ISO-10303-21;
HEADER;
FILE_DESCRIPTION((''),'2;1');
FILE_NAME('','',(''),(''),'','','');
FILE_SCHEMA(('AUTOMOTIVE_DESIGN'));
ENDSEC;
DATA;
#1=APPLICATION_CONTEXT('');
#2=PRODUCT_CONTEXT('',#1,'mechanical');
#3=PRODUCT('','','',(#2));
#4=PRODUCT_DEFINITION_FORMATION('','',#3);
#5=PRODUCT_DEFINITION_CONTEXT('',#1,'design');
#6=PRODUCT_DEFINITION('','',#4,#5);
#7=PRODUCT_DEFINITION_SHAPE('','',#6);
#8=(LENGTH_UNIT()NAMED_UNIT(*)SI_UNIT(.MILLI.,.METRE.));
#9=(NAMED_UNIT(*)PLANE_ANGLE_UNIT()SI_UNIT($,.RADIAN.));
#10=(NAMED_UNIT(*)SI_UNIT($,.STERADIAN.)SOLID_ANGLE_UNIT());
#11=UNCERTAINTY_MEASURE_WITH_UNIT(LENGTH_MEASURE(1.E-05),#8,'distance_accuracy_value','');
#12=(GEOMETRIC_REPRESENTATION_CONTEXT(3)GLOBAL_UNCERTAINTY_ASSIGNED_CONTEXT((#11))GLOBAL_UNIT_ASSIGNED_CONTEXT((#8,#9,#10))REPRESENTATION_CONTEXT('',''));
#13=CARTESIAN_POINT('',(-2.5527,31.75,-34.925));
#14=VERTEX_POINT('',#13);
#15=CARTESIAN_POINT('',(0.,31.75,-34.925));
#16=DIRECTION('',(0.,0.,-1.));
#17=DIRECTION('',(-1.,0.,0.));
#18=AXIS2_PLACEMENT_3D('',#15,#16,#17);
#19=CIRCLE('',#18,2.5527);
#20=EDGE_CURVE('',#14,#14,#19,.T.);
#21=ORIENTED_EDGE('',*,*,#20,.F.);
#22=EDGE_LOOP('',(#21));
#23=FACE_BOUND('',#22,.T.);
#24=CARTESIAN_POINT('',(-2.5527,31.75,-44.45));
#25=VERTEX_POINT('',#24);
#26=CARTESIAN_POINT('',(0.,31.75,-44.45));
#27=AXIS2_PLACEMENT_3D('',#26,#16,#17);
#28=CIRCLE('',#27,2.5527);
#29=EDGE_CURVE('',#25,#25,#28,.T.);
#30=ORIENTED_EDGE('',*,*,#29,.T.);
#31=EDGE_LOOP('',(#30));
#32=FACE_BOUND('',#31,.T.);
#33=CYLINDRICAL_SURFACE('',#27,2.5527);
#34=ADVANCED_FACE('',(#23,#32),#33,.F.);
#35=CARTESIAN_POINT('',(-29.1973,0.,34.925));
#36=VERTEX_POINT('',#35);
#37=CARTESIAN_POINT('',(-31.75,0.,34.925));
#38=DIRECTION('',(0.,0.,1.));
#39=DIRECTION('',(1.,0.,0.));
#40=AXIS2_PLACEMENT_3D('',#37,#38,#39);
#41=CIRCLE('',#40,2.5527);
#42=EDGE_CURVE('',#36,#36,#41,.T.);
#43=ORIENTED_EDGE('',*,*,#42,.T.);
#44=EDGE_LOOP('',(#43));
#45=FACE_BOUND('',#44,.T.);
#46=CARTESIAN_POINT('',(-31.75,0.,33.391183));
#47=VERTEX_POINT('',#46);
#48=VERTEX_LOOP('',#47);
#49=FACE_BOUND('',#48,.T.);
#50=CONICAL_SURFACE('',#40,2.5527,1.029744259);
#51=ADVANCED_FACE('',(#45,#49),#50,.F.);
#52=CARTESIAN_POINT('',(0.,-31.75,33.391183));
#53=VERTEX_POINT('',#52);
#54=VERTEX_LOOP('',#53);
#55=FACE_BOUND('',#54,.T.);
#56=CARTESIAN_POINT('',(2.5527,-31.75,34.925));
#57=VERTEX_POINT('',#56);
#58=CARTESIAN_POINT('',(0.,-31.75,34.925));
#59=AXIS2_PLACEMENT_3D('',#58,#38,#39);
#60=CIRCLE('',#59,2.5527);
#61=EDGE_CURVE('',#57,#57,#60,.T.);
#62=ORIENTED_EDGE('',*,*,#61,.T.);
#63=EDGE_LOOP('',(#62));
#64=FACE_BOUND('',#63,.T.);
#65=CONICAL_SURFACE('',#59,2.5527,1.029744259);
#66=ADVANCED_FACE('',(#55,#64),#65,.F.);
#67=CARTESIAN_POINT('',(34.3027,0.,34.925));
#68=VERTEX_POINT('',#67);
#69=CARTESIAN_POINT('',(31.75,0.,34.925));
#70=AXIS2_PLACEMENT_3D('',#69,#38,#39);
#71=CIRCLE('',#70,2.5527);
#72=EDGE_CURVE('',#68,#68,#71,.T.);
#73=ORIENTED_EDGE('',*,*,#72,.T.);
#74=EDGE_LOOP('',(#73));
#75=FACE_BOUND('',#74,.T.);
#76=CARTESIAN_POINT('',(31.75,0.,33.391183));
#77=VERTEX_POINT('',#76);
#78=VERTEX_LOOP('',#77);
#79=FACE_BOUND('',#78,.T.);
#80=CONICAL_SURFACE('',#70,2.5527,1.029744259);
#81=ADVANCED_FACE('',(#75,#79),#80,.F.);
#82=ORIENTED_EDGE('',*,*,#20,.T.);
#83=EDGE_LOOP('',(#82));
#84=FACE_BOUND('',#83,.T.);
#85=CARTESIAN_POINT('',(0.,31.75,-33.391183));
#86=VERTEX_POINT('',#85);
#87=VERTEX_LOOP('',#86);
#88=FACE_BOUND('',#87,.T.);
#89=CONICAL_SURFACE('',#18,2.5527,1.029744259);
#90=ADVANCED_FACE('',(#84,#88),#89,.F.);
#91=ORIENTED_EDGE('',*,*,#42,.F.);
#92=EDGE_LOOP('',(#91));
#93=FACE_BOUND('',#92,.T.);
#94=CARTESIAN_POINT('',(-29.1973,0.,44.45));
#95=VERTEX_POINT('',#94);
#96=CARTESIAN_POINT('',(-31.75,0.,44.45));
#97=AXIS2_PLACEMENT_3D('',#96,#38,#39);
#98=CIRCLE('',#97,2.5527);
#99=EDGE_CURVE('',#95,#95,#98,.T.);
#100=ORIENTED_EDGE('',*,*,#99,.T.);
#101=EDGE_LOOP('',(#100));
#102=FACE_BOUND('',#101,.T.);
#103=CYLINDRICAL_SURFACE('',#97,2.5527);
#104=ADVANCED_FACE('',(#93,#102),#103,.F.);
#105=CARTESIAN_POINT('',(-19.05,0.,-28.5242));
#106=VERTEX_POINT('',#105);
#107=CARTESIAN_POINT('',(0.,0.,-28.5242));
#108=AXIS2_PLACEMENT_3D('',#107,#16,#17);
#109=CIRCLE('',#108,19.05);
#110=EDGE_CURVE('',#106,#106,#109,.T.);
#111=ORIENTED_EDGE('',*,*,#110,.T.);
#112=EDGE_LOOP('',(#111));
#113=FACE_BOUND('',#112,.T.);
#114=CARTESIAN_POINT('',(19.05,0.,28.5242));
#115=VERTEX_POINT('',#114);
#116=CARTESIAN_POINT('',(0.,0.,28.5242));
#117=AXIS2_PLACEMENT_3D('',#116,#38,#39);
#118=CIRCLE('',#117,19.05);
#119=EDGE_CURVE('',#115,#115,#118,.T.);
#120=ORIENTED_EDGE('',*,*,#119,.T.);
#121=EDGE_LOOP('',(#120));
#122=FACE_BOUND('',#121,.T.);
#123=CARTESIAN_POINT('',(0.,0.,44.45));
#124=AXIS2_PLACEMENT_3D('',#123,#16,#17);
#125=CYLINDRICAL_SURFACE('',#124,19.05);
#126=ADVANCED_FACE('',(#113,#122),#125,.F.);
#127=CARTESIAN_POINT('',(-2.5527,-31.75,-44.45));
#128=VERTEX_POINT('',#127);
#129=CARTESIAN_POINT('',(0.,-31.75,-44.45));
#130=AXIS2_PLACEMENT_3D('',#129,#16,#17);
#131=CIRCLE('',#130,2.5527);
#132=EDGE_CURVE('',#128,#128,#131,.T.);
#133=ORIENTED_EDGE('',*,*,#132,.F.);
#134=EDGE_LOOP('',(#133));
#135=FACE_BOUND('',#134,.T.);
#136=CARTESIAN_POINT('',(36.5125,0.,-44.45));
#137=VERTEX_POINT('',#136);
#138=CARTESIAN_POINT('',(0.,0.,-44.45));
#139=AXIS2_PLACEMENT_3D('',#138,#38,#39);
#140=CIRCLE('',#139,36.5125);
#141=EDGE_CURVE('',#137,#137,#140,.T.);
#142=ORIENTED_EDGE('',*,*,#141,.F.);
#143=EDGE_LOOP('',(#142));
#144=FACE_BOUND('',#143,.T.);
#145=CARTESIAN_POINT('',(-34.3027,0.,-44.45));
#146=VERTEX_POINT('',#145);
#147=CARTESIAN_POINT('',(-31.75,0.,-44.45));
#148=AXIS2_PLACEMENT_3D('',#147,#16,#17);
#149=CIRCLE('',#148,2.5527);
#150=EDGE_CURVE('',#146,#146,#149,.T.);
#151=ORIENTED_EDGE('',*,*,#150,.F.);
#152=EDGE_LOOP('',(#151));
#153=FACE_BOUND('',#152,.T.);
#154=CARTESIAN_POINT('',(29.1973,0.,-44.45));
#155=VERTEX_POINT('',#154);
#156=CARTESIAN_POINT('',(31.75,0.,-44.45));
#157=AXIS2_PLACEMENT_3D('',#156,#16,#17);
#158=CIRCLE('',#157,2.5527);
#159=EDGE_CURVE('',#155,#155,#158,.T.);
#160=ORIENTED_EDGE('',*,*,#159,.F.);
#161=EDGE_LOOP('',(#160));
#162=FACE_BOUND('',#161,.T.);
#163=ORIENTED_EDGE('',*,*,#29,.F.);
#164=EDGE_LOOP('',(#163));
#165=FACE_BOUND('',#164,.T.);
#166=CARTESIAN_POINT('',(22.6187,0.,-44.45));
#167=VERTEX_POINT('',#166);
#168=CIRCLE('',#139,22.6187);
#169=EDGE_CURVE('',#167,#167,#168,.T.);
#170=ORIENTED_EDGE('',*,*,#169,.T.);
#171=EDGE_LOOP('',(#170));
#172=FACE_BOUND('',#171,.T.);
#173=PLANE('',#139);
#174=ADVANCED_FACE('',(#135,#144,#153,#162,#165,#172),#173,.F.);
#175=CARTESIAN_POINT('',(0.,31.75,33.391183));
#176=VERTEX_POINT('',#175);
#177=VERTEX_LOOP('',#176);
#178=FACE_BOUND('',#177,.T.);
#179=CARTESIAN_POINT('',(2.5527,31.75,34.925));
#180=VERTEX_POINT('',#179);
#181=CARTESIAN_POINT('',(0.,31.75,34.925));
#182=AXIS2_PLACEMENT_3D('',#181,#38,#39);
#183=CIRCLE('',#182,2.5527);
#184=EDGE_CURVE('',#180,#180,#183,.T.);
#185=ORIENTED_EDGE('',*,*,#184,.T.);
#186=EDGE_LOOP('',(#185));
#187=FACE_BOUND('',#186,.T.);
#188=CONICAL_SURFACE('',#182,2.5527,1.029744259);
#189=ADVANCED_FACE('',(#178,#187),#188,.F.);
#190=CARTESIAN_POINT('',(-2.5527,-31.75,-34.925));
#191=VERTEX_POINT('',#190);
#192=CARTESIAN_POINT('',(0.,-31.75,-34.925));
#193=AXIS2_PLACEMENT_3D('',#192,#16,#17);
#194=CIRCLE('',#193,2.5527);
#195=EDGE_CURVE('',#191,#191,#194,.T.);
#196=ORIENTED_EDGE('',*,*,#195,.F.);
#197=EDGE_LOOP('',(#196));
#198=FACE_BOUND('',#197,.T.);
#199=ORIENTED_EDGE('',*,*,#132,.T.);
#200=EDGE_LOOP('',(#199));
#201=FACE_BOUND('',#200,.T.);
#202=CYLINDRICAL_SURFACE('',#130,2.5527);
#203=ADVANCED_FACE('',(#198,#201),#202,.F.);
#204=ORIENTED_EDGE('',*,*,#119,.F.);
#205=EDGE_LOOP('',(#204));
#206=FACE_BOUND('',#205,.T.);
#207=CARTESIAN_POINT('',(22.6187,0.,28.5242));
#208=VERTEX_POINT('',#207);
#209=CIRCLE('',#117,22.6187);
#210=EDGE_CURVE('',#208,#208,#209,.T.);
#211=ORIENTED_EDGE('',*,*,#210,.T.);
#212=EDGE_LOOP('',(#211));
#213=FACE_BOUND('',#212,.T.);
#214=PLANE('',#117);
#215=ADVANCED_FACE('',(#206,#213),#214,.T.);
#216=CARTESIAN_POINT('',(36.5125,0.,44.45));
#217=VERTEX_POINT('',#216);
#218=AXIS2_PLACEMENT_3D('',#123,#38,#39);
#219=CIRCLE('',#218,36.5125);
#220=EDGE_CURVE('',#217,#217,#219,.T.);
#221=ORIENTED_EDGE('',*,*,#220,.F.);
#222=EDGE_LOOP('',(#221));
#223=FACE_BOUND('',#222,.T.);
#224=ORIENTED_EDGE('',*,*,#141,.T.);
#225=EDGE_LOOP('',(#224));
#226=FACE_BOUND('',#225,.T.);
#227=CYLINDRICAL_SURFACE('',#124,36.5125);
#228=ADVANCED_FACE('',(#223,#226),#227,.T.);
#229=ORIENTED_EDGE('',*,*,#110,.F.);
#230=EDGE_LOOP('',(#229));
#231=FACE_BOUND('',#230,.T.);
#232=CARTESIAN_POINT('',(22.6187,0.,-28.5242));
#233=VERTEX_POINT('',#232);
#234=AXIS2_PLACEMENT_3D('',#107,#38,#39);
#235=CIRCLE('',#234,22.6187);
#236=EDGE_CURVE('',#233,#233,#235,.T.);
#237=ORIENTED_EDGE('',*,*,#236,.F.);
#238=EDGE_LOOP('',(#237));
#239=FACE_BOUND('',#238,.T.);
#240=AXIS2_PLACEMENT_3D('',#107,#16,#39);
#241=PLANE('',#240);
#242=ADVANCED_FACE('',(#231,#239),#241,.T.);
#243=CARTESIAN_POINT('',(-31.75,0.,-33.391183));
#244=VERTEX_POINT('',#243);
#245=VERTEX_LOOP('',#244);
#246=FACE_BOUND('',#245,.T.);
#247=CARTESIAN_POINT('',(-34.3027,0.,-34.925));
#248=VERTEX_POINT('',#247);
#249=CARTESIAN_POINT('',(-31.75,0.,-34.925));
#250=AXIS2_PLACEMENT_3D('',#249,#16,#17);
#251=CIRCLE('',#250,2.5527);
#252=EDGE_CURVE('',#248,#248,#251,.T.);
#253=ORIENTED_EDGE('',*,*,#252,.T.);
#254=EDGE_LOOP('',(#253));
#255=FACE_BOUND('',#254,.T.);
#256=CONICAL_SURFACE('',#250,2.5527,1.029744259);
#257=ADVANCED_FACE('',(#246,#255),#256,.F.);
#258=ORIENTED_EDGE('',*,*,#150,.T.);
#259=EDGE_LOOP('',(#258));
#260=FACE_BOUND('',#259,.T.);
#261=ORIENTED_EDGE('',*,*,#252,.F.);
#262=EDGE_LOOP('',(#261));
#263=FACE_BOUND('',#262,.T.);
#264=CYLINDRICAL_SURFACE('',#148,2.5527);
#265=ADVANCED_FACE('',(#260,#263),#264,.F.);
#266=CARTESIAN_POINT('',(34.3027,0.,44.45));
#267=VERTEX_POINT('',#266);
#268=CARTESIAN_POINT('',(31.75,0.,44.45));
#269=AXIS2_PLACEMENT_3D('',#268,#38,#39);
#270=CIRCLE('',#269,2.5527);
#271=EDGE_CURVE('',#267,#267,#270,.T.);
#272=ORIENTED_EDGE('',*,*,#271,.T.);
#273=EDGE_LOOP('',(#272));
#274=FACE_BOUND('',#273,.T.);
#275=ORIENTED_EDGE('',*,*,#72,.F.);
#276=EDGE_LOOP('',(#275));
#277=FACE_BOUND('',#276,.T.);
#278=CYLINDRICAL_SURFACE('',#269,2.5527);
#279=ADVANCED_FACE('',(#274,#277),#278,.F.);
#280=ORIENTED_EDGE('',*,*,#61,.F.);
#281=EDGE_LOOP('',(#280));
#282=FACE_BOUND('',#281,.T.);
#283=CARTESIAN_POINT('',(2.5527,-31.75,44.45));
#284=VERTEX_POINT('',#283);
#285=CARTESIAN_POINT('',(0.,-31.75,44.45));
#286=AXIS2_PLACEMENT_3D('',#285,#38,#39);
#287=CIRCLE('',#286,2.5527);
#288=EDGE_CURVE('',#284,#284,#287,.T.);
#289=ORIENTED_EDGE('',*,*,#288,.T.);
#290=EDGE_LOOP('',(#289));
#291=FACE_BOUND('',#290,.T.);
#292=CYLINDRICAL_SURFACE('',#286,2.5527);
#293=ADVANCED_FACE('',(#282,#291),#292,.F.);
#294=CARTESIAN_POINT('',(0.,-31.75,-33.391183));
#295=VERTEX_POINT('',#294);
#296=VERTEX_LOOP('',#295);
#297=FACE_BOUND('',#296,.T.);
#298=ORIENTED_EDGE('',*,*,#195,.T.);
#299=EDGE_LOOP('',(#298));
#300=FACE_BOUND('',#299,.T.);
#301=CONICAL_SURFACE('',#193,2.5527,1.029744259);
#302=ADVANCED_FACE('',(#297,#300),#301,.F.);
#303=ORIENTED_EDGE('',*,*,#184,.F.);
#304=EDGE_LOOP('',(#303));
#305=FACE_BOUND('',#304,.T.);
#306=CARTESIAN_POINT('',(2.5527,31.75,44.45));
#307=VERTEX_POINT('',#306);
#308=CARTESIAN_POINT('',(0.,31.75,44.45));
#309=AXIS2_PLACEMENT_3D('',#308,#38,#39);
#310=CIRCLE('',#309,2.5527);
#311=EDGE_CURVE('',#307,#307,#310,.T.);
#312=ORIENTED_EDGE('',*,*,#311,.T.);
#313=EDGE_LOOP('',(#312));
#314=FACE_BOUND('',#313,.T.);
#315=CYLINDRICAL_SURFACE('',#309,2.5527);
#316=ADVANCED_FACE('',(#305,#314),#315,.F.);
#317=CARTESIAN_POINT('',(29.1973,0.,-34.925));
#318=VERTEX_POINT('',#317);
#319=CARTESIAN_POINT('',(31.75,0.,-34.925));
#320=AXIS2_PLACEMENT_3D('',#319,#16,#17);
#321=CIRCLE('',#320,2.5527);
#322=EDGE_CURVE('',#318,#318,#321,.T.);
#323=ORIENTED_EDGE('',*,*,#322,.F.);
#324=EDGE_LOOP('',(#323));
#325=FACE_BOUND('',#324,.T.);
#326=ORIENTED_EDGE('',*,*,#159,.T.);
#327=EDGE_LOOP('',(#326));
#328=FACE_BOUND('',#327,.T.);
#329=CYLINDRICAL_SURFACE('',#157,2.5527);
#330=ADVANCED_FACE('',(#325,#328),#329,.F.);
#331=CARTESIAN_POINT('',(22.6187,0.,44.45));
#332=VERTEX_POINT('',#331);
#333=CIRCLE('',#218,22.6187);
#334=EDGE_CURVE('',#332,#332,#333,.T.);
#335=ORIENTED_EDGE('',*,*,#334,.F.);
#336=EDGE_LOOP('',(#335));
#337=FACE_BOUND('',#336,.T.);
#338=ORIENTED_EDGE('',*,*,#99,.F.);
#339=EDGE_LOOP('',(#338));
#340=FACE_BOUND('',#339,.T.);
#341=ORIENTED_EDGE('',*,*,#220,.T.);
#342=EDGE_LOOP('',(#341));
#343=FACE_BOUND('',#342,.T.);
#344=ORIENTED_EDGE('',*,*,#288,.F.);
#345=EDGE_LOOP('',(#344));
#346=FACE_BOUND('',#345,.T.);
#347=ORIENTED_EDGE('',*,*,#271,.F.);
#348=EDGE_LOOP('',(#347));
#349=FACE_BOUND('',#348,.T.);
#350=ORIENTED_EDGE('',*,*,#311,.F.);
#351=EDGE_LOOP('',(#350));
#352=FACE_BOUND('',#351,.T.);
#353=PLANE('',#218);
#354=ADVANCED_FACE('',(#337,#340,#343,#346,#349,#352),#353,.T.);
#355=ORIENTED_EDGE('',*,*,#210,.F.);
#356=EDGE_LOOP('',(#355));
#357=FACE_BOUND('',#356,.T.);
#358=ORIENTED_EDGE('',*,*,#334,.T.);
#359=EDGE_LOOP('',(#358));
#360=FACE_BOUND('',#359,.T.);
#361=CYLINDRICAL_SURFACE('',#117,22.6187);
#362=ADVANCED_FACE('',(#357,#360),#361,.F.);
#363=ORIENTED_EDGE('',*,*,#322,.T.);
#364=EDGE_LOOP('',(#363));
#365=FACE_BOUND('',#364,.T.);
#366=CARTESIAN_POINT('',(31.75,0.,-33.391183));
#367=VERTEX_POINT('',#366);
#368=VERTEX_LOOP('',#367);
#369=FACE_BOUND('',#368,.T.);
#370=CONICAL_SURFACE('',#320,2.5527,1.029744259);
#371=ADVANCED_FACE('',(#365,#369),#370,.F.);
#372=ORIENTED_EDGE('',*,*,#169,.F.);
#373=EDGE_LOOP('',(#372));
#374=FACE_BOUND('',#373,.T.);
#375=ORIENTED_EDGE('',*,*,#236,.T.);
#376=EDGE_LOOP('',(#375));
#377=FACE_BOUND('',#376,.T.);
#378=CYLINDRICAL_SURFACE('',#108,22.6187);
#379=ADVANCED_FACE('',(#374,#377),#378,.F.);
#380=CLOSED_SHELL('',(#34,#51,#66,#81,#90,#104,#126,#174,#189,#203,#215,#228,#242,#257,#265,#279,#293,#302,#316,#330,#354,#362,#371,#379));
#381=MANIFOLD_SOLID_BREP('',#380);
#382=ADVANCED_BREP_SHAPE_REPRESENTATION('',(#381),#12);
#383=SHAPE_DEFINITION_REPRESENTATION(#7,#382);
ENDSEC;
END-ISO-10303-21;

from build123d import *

# Parameters (mm, degrees)
SKETCH1_R                                 = 36.5125
SKETCH1_R_2                               = 19.05
EXTRUDE1_DEPTH                            = 44.45
SKETCH3_R                                 = 22.6187
OUTER_RACE_POCKET_MASTER_DEPTH            = 15.9258
F_1_4_20_THREAD_PATTERN_MASTER_AT_2_COUNT = 2
F_1_4_20_THREAD_PATTERN_MASTER_AT_2_PITCH = 44.901280605
F_1_4_20_THREAD_PATTERN_MASTER_AT_3_COUNT = 2
F_1_4_20_THREAD_PATTERN_MASTER_AT_3_PITCH = 63.5
F_1_4_20_THREAD_PATTERN_MASTER_AT_4_COUNT = 2
F_1_4_20_THREAD_PATTERN_MASTER_AT_4_PITCH = 44.901280605


with BuildPart() as part:
    # Sketch1 → Extrude1 (new, symmetric)
    with BuildSketch(Plane.XY):
        Circle(SKETCH1_R)
        Circle(SKETCH1_R_2, mode=Mode.SUBTRACT)
    extrude(amount=EXTRUDE1_DEPTH, both=True)

    # Sketch3 → Outer race pocket master (cut)
    with BuildSketch(Plane.XY.offset(44.45)):
        Circle(SKETCH3_R)
    outer_race_pocket_master = extrude(amount=-OUTER_RACE_POCKET_MASTER_DEPTH, mode=Mode.SUBTRACT)

    # Sketch8 → 1/4-20 thread pattern master (revolve, cut)
    with BuildSketch(Plane(origin=(0, 31.75, 44.45), x_dir=(0, -1, 0), z_dir=(1, 0, 0))):
        Polygon((0, 0), (0, 11.058816902), (2.5527, 9.525), (2.5527, 0), align=None)
    f_1_4_20_thread_pattern_master = revolve(axis=Axis((0, 31.75, 50.8), (0, 0, -1)), mode=Mode.SUBTRACT)

    # 1/4-20 thread pattern master at 2: 1/4-20 thread pattern master ×2
    with Locations(*[Vector(0.7071067811865476, -0.7071067811865476, 0) * (i * F_1_4_20_THREAD_PATTERN_MASTER_AT_2_PITCH) for i in range(1, F_1_4_20_THREAD_PATTERN_MASTER_AT_2_COUNT)]):
        add(f_1_4_20_thread_pattern_master, mode=Mode.SUBTRACT)

    # 1/4-20 thread pattern master at 3: 1/4-20 thread pattern master ×2
    with Locations(*[(0, -i * F_1_4_20_THREAD_PATTERN_MASTER_AT_3_PITCH, 0) for i in range(1, F_1_4_20_THREAD_PATTERN_MASTER_AT_3_COUNT)]):
        add(f_1_4_20_thread_pattern_master, mode=Mode.SUBTRACT)

    # 1/4-20 thread pattern master at 4: 1/4-20 thread pattern master ×2
    with Locations(*[Vector(-0.7071067811865476, -0.7071067811865476, 0) * (i * F_1_4_20_THREAD_PATTERN_MASTER_AT_4_PITCH) for i in range(1, F_1_4_20_THREAD_PATTERN_MASTER_AT_4_COUNT)]):
        add(f_1_4_20_thread_pattern_master, mode=Mode.SUBTRACT)

    # Pocket and thread mirror: Outer race pocket master, 1/4-20 thread pattern master across plane
    add(outer_race_pocket_master.mirror(Plane.XY), mode=Mode.SUBTRACT)
    add(f_1_4_20_thread_pattern_master.mirror(Plane.XY), mode=Mode.SUBTRACT)

    # Pocket and thread mirror copy 1 sketch → Pocket and thread mirror copy 1 (revolve, cut)
    with BuildSketch(Plane(origin=(31.75, 0, -44.45), x_dir=(0, -1, 0), z_dir=(1, 0, 0))):
        Polygon((0, 0), (0, -11.058816902), (2.5527, -9.525), (2.5527, 0), align=None)
    revolve(axis=Axis((31.75, 0, -50.8), (0, 0, -1)), mode=Mode.SUBTRACT)

    # Pocket and thread mirror copy 2 sketch → Pocket and thread mirror copy 2 (revolve, cut)
    with BuildSketch(Plane(origin=(0, -31.75, -44.45), x_dir=(0, -1, 0), z_dir=(1, 0, 0))):
        Polygon((0, 0), (0, -11.058816902), (2.5527, -9.525), (2.5527, 0), align=None)
    revolve(axis=Axis((0, -31.75, -50.8), (0, 0, -1)), mode=Mode.SUBTRACT)

    # Pocket and thread mirror copy 3 sketch → Pocket and thread mirror copy 3 (revolve, cut)
    with BuildSketch(Plane(origin=(-31.75, 0, -44.45), x_dir=(0, -1, 0), z_dir=(1, 0, 0))):
        Polygon((0, 0), (0, -11.058816902), (2.5527, -9.525), (2.5527, 0), align=None)
    revolve(axis=Axis((-31.75, 0, -50.8), (0, 0, -1)), mode=Mode.SUBTRACT)


solid = part.part
